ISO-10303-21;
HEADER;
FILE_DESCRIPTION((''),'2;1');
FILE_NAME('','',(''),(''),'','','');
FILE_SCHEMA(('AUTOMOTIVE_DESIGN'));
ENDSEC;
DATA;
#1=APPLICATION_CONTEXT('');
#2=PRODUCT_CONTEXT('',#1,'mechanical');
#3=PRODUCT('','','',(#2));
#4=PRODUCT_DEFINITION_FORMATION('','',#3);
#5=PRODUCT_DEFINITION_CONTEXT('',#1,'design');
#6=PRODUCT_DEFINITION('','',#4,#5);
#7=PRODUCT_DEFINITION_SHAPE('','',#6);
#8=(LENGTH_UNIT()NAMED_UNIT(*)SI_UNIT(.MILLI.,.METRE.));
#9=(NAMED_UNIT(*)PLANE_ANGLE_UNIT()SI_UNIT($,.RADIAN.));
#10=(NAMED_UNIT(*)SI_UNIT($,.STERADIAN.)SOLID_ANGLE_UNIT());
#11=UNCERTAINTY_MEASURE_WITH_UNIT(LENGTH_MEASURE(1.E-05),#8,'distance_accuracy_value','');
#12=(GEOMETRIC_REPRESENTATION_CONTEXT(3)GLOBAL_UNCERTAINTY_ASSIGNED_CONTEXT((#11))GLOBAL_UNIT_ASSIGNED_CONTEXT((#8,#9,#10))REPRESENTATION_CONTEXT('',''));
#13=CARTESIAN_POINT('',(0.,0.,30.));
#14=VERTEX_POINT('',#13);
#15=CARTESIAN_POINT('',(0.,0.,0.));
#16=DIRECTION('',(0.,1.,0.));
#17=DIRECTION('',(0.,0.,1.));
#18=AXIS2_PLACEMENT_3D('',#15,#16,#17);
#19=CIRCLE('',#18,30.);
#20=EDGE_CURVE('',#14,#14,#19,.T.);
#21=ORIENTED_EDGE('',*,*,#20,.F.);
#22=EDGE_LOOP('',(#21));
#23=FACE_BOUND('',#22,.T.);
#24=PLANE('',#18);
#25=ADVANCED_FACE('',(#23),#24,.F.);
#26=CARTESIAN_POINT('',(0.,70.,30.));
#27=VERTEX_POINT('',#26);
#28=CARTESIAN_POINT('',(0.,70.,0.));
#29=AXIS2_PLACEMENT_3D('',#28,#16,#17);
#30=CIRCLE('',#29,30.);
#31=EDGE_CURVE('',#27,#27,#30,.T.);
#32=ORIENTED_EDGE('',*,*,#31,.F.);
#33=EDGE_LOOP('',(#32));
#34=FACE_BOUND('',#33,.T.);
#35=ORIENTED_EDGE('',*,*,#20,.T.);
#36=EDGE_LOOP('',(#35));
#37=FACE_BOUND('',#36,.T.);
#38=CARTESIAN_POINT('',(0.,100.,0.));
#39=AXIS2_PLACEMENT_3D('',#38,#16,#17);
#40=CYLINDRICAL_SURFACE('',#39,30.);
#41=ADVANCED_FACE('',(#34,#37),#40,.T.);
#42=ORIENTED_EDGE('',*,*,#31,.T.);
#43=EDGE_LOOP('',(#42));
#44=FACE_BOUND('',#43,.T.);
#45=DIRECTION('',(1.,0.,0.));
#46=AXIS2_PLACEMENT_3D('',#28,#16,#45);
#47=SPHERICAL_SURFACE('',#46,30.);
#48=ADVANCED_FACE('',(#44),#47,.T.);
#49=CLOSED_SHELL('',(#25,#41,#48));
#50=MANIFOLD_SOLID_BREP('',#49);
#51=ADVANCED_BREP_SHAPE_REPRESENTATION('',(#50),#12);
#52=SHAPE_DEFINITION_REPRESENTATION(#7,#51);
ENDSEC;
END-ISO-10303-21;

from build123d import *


with BuildPart() as part:
    # Sketch2 → Revolve1 (revolve)
    with BuildSketch(Plane.XY):
        with BuildLine():
            Line((30, 70), (30, 0))
            Line((30, 0), (0, 0))
            Line((0, 0), (0, 100))
            ThreePointArc((0, 100), (21.213203436, 91.213203436), (30, 70))
        make_face()
    revolve(axis=Axis((0, 100, 0), (0, -1, 0)))


solid = part.part
